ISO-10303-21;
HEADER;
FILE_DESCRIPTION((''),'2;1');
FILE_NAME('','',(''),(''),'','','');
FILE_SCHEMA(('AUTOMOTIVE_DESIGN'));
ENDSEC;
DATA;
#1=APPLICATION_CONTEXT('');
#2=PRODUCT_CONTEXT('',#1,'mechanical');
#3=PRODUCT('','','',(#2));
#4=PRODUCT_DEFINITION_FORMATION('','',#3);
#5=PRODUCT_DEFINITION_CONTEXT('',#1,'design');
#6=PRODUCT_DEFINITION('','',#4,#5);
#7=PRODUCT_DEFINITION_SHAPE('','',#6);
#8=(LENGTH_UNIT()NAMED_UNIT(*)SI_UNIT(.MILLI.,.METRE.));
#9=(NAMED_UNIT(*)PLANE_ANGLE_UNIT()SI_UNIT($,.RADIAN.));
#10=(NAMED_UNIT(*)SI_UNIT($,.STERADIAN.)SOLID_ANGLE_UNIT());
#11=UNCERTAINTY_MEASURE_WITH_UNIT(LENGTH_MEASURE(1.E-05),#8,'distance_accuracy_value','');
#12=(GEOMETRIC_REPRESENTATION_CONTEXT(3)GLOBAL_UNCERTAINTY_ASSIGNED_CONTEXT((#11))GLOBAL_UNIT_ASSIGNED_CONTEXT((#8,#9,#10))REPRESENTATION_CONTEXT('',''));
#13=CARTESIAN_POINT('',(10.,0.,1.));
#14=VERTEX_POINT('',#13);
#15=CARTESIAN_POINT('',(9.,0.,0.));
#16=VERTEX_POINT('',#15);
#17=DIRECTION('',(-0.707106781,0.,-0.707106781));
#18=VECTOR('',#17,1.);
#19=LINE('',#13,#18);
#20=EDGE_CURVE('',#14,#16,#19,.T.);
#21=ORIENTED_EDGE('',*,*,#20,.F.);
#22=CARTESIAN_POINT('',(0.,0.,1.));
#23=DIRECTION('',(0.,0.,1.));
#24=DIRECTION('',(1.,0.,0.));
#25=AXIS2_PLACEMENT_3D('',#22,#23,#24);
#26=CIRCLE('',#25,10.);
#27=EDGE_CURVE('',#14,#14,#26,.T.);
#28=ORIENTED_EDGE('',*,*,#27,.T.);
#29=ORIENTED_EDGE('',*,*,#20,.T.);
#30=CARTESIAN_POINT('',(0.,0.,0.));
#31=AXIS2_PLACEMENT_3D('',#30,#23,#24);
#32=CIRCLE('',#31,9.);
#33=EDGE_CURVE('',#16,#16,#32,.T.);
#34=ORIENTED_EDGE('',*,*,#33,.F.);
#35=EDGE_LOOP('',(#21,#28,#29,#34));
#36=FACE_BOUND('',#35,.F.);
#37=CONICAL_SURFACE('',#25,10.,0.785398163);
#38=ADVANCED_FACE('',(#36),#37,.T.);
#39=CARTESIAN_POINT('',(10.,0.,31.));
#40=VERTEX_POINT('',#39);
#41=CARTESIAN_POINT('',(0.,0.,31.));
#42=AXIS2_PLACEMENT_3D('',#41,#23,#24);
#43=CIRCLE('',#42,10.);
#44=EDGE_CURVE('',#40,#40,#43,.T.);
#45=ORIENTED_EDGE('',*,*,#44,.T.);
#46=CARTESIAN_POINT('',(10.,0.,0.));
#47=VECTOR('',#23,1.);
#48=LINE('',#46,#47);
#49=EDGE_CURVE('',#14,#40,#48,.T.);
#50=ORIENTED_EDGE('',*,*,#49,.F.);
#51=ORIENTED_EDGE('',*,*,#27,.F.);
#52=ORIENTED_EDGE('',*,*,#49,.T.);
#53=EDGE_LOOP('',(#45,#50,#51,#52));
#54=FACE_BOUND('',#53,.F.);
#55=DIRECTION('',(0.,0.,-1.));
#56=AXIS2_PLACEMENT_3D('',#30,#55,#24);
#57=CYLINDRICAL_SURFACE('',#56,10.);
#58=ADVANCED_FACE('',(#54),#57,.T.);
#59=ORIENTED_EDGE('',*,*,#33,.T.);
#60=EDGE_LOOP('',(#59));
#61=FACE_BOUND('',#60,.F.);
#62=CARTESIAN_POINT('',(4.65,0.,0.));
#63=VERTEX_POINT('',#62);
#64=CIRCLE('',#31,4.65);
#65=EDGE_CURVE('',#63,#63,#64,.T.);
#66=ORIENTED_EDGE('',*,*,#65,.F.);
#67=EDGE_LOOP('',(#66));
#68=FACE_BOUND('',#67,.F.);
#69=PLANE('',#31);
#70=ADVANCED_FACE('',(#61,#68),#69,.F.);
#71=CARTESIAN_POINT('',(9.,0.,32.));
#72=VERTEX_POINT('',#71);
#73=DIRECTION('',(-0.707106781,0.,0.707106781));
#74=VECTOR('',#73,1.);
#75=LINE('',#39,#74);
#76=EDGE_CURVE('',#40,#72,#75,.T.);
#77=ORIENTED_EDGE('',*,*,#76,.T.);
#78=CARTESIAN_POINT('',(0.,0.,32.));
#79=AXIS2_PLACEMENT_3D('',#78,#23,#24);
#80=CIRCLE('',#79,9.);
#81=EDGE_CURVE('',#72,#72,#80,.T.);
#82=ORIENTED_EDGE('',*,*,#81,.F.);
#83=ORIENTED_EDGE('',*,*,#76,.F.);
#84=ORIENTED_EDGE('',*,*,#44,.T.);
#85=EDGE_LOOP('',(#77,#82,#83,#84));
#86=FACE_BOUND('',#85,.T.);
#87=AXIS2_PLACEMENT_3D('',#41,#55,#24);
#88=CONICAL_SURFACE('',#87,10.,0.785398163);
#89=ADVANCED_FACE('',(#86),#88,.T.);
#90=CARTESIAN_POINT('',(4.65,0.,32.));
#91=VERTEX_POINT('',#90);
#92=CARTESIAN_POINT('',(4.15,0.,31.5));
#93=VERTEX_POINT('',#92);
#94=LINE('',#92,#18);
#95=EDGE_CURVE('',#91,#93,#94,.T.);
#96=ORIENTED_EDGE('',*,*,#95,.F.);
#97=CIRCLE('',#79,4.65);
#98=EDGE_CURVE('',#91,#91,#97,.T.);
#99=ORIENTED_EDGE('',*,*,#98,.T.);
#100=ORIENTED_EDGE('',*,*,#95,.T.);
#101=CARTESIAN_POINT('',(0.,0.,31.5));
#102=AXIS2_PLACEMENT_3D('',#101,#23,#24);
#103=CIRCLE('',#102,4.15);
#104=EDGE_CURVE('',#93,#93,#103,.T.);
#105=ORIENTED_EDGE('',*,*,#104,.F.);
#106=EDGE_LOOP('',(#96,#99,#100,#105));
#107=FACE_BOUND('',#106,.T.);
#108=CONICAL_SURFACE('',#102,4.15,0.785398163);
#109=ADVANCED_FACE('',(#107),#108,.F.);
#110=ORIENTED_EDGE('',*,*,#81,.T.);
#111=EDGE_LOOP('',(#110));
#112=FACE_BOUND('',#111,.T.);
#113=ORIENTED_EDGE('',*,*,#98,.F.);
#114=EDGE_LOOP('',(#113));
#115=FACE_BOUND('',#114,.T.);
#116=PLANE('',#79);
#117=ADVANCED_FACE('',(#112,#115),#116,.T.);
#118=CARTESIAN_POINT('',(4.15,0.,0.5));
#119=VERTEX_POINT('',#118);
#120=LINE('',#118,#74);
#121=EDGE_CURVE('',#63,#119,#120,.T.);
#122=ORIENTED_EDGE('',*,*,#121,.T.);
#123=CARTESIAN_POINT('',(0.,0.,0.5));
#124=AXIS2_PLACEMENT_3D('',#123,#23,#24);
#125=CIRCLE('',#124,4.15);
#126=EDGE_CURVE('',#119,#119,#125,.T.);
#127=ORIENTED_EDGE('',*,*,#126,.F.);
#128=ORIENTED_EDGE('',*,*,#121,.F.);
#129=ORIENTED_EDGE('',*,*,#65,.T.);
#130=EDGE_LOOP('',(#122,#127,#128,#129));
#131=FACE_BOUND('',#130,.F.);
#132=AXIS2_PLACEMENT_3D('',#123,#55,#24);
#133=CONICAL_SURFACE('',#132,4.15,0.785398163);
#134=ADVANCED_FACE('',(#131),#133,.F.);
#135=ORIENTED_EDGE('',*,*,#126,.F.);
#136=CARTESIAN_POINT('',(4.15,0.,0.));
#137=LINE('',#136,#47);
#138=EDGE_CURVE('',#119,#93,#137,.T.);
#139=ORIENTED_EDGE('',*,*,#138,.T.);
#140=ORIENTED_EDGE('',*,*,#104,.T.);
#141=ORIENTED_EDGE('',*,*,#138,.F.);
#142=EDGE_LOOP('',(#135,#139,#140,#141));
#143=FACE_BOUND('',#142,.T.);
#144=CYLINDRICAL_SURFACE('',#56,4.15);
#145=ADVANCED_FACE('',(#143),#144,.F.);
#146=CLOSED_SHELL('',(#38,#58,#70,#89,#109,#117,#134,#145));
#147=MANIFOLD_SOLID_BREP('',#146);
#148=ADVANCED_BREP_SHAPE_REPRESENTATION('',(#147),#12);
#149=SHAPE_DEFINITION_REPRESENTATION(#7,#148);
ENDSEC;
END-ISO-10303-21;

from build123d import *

# Parameters (mm, degrees)
F0_R     = 10
F0_R_2   = 4.15
F1_DEPTH = 32
F2_SIZE  = 1
F3_SIZE  = 0.5


with BuildPart() as f1:
    # F0 (on Top) → F1 (new body)
    with BuildSketch(Plane.XY):
        Circle(F0_R)
        Circle(F0_R_2, mode=Mode.SUBTRACT)
    extrude(amount=F1_DEPTH)

    # F2
    f2_edges = [f1.edges().sort_by_distance(p)[0] for p in [
        (-10, 0, 32),
        (10, 0, 16),
        (-10, 0, 0),
    ]]
    chamfer(f2_edges, length=F2_SIZE)

    # F3
    f3_edges = [f1.edges().sort_by_distance(p)[0] for p in [
        (4.15, 0, 16),
        (-4.15, 0, 0),
        (-4.15, 0, 32),
    ]]
    chamfer(f3_edges, length=F3_SIZE)


solid = f1.part
